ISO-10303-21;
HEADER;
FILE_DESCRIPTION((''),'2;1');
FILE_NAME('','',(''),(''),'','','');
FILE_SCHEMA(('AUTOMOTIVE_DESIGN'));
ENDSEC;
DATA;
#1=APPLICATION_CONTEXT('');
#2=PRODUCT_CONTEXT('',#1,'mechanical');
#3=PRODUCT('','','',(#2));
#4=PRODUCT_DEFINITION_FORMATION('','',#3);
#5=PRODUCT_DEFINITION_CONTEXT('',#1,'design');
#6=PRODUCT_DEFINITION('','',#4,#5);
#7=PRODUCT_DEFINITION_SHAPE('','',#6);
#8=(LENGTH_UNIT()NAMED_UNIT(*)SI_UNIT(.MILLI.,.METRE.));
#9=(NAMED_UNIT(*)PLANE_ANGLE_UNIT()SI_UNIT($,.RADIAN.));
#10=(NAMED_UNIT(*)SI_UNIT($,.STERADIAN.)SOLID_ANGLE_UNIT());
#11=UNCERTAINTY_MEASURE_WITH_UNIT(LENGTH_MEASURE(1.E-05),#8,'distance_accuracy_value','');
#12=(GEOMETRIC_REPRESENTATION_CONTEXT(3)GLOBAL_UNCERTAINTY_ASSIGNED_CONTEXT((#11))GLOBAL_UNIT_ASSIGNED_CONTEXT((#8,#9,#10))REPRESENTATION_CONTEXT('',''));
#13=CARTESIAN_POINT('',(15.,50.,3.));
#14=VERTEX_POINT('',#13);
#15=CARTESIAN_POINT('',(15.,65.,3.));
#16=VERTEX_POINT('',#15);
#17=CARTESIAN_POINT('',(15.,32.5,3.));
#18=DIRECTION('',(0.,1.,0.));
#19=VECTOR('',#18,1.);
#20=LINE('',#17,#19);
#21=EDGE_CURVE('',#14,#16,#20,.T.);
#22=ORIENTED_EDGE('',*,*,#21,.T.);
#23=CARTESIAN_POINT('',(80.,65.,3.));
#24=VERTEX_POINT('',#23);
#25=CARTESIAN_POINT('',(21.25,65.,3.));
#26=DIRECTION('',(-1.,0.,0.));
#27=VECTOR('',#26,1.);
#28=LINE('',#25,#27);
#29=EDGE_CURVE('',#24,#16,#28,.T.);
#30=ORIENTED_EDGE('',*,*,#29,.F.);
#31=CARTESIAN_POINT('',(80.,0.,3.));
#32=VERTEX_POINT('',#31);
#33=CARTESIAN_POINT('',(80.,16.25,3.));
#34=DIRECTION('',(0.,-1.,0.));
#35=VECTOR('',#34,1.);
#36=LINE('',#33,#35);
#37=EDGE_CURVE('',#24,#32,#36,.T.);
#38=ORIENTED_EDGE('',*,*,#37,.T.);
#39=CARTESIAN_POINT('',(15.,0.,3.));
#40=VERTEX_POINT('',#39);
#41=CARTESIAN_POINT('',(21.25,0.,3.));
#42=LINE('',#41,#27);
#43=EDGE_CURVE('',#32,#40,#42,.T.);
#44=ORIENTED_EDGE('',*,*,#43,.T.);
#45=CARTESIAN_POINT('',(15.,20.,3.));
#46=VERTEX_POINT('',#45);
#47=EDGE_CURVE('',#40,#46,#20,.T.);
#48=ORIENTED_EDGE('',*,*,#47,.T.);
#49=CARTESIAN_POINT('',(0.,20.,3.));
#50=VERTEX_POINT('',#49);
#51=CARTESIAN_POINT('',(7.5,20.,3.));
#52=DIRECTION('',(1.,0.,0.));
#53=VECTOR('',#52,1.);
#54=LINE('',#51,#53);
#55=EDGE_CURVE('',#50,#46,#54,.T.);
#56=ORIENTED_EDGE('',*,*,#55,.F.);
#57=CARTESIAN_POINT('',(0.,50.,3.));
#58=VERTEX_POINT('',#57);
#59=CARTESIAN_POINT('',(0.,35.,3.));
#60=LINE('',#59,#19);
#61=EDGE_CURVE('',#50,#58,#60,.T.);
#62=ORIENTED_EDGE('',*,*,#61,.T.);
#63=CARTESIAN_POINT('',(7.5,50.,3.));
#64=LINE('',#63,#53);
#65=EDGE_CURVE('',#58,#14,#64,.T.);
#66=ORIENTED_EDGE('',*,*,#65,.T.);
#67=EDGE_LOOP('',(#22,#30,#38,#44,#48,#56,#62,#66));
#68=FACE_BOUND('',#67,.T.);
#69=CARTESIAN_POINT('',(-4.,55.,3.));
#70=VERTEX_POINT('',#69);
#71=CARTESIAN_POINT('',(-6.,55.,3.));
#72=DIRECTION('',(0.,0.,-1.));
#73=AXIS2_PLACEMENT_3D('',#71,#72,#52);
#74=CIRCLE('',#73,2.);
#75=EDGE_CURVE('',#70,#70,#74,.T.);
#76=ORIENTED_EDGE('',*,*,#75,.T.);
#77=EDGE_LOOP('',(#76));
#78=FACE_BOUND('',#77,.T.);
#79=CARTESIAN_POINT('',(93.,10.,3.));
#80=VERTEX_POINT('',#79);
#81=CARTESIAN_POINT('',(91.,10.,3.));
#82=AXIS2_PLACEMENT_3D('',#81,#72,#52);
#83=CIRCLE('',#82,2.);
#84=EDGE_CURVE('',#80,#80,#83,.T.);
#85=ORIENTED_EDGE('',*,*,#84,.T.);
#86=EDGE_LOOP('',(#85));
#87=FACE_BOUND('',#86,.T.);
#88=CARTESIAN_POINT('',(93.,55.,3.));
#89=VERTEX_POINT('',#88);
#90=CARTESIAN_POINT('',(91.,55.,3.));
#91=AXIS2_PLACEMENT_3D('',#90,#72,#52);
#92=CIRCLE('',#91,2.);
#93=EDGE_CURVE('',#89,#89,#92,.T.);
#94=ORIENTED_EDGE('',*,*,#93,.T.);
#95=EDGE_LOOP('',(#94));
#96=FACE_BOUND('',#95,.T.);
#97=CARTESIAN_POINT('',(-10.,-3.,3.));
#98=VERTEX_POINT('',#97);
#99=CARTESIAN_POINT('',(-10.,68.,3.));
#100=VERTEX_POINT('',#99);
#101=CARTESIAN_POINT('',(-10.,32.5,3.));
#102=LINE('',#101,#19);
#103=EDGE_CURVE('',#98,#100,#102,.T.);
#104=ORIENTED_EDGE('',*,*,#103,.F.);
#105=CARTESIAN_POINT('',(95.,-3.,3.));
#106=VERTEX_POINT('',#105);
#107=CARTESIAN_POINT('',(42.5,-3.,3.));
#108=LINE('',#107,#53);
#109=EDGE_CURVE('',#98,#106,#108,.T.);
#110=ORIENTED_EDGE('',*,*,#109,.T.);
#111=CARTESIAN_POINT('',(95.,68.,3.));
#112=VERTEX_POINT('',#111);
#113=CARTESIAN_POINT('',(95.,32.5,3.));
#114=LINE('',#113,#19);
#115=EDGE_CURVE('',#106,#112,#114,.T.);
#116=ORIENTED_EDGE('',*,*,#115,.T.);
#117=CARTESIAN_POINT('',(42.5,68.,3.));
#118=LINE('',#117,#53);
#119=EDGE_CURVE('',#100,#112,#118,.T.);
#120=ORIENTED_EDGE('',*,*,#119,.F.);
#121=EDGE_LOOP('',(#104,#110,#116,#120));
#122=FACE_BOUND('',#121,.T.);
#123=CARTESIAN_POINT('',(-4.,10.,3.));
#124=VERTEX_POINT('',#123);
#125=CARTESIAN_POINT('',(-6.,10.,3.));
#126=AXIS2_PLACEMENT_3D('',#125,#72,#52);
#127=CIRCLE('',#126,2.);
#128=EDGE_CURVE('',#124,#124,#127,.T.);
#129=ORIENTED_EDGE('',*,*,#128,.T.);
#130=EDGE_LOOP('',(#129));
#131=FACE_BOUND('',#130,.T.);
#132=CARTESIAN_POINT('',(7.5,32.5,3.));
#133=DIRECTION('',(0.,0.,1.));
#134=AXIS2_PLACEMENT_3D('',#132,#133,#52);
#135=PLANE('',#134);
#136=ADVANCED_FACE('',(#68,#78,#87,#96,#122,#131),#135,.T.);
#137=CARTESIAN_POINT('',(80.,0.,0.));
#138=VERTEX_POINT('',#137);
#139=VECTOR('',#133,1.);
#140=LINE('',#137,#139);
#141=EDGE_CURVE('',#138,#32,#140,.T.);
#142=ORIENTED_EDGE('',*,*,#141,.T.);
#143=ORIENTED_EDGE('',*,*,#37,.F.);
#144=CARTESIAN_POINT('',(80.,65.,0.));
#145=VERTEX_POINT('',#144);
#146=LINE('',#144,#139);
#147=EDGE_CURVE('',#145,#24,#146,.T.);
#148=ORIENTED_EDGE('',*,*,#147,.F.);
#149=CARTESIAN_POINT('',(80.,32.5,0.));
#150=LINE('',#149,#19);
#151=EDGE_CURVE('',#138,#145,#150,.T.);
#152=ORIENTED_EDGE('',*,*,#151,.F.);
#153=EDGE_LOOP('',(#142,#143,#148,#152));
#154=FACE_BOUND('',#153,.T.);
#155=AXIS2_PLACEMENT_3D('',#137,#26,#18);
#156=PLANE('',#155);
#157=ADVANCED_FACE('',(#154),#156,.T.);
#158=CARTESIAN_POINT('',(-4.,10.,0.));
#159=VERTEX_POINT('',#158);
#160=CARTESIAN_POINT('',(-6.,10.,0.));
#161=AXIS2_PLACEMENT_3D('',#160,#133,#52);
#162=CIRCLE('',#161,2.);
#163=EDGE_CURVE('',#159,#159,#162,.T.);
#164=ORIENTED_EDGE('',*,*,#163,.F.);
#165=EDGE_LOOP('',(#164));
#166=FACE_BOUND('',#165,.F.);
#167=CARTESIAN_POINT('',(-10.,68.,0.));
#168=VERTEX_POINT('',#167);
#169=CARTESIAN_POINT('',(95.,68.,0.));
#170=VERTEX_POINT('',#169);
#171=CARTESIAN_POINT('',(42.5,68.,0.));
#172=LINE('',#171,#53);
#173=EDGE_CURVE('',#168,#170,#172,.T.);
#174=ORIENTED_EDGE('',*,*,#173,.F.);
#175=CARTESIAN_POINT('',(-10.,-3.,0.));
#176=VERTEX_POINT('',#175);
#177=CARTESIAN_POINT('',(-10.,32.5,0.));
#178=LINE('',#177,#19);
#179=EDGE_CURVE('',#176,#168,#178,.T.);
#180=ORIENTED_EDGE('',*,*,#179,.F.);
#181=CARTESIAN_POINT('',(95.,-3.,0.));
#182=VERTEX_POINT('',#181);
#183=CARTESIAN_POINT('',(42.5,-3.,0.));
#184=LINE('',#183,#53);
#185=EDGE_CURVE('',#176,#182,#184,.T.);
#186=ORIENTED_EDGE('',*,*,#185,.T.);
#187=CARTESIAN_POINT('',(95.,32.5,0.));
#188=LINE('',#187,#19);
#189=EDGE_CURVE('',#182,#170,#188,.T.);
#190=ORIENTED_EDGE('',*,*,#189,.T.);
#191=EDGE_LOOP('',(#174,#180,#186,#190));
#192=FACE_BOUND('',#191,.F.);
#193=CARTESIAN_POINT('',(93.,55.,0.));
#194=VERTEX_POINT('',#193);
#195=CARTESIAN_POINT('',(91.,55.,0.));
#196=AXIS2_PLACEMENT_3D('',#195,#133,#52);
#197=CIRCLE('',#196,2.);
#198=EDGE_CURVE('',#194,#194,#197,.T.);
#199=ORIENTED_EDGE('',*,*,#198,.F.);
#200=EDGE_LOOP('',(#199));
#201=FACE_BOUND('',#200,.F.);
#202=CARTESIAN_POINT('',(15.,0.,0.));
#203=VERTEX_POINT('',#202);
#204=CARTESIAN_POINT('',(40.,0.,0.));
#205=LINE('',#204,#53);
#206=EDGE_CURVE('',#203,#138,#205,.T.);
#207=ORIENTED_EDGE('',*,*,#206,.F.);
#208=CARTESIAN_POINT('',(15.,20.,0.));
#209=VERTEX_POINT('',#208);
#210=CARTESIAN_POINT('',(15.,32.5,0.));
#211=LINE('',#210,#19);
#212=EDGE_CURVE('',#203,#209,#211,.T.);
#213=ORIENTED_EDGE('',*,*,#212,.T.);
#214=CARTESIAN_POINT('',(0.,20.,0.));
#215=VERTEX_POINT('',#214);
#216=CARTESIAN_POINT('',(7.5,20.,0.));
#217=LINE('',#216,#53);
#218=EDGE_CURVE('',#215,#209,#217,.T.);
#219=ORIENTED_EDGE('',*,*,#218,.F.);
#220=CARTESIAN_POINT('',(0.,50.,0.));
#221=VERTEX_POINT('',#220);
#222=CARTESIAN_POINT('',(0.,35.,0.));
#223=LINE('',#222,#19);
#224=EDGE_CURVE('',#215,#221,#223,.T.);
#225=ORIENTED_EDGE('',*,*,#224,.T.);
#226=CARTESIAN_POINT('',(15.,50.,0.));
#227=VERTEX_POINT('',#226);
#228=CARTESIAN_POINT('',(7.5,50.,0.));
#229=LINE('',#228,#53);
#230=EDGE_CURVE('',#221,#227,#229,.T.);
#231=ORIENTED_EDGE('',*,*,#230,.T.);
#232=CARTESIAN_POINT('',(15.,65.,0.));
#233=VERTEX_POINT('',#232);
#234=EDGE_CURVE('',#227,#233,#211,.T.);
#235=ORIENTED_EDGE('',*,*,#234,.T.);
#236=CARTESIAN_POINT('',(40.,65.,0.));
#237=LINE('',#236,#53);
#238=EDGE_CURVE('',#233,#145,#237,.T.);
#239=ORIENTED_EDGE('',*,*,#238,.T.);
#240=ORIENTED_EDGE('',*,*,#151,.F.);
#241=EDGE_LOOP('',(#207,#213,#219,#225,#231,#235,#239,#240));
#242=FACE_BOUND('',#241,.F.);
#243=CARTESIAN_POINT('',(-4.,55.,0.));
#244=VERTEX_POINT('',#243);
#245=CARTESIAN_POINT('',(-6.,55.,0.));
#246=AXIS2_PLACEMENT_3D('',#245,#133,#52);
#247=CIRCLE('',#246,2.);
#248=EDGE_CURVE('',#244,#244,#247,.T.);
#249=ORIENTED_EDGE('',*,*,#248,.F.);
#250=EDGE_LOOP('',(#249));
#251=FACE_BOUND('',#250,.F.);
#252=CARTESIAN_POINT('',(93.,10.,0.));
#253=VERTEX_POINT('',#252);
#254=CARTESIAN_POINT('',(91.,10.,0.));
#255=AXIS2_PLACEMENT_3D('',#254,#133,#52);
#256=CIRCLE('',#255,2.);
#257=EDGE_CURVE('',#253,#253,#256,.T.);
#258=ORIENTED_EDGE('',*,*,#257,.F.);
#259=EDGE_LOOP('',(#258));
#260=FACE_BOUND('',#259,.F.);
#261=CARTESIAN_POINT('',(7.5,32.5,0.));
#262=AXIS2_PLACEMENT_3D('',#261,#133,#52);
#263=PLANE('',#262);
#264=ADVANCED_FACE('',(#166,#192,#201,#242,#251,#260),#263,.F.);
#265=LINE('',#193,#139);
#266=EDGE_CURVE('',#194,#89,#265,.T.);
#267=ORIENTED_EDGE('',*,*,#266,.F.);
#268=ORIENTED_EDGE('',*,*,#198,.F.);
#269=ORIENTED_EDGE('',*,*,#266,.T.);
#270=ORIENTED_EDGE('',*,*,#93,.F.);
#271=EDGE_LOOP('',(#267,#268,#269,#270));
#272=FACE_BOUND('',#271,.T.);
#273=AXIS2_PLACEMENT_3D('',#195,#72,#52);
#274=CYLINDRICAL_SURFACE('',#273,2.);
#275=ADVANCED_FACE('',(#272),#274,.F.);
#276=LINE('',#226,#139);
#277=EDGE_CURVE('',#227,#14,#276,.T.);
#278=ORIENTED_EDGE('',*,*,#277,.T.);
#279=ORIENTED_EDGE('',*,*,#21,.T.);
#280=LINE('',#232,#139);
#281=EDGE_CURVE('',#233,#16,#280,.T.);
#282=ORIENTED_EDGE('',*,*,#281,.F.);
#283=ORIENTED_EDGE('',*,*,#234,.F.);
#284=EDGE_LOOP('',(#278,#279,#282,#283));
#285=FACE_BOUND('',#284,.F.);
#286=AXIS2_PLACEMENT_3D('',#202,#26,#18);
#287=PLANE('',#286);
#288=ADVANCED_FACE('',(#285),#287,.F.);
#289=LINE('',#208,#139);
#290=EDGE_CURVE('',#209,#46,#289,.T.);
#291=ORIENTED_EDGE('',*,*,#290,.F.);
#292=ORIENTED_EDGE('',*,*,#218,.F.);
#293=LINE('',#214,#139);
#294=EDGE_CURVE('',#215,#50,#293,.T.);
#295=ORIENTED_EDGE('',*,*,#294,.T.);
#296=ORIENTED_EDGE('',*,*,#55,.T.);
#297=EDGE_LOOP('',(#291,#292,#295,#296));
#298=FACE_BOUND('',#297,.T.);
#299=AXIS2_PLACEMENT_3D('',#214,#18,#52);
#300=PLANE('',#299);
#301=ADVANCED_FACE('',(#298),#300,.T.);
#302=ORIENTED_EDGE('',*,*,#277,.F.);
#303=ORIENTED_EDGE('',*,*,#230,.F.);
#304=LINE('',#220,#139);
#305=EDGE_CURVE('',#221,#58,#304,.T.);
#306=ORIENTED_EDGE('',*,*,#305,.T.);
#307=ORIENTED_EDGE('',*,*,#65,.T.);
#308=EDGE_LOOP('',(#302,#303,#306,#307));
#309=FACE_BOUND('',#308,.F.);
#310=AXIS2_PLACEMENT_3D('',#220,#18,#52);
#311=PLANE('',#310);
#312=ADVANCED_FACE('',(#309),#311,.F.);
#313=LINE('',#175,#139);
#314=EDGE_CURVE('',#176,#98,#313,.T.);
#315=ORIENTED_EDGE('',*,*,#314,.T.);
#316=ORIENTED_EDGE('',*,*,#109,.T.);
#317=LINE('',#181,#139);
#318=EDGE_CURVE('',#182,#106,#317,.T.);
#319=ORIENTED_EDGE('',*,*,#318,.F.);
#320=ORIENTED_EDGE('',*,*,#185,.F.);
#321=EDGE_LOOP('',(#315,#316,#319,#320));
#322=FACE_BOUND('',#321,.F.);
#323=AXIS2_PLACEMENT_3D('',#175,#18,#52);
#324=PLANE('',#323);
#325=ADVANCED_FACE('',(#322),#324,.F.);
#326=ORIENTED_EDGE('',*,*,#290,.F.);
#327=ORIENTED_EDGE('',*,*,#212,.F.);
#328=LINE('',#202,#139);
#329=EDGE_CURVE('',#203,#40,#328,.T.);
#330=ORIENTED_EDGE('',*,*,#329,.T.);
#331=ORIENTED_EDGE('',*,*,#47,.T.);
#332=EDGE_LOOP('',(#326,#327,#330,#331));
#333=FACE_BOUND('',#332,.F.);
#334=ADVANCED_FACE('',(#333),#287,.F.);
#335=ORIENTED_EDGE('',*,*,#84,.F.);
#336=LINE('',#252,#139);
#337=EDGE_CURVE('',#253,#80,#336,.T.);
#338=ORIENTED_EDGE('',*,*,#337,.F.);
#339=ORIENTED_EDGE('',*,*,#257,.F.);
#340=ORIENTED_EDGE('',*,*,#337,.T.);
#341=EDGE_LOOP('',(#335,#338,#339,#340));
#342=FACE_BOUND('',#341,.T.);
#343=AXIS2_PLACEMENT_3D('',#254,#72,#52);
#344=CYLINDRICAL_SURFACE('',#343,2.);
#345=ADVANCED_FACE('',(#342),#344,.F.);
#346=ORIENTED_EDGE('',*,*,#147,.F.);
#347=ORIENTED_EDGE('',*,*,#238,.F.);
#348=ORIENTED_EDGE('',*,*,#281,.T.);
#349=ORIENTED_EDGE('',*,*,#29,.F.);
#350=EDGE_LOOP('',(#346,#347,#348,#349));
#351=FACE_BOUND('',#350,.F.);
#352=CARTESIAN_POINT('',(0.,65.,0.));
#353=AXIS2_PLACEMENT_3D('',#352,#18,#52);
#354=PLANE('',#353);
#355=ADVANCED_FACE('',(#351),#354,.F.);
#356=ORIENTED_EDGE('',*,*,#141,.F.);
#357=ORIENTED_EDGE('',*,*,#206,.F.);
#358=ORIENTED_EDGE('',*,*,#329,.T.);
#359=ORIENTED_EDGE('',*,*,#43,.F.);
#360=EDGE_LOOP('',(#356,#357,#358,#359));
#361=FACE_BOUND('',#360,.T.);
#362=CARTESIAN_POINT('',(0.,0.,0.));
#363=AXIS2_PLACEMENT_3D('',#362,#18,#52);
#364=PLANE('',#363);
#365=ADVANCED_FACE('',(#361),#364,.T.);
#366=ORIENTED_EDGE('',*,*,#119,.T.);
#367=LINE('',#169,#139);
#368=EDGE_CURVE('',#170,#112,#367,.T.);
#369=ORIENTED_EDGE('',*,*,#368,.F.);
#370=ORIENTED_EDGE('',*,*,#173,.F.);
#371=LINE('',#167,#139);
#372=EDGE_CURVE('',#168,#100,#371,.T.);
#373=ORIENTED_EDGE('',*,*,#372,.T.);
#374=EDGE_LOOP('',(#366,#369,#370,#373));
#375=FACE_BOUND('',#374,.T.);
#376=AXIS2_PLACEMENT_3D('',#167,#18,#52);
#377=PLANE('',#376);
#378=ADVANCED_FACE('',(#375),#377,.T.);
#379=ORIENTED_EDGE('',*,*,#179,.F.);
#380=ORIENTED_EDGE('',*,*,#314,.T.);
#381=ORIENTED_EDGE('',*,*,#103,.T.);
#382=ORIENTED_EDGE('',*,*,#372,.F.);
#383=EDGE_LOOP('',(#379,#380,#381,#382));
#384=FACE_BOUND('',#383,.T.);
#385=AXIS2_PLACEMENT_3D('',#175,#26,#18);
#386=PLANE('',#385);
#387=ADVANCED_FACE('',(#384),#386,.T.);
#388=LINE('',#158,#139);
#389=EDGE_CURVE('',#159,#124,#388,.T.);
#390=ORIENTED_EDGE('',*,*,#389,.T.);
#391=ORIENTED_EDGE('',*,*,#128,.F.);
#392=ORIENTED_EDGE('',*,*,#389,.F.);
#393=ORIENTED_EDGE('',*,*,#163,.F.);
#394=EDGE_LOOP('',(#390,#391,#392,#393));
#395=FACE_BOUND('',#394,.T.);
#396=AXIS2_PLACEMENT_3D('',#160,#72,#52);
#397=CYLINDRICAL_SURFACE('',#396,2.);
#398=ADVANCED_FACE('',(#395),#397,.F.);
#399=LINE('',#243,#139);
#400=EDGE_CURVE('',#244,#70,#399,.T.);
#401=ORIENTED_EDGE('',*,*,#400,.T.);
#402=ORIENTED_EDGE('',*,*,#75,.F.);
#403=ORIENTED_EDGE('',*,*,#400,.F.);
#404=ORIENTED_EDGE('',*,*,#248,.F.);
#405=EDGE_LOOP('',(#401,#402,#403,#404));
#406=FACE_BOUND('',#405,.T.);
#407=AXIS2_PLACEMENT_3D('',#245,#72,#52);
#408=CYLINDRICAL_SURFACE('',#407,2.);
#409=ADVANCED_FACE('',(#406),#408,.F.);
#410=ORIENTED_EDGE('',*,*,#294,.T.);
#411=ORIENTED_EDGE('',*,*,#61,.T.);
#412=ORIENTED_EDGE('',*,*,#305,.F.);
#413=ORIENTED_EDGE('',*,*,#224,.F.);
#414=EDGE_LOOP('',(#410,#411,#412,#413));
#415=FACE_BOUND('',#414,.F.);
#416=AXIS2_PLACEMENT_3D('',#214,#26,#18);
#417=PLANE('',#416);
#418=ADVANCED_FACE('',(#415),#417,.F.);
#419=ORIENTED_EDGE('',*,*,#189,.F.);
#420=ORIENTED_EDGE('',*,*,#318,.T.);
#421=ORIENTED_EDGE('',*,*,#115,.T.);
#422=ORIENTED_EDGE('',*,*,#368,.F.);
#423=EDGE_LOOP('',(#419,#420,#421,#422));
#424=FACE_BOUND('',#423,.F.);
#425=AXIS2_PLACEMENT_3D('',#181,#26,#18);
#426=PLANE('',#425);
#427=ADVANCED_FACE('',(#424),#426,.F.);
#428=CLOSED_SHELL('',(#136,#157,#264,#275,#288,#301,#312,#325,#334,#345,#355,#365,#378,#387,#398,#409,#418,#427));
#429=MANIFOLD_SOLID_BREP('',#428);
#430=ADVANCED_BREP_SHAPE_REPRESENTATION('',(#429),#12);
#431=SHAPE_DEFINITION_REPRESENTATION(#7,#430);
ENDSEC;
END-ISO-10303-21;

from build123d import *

# Parameters (mm, degrees)
SKETCH001_W     = 105
SKETCH001_H     = 71
PAD_DEPTH       = 3
SKETCH_W        = 80
SKETCH_H        = 65
POCKET_DEPTH    = 5
SKETCH002_R     = 2
POCKET001_DEPTH = 5
SKETCH003_R     = 2
POCKET002_DEPTH = 5
SKETCH004_R     = 2
POCKET003_DEPTH = 5
SKETCH005_R     = 2
POCKET004_DEPTH = 5
SKETCH006_W     = 15
SKETCH006_H     = 65
PAD001_DEPTH    = 3
SKETCH007_W     = 15
SKETCH007_H     = 30
POCKET005_DEPTH = 3


with BuildPart() as part:
    # Sketch001 → Pad (new body)
    with BuildSketch(Plane.XY):
        with Locations((42.5, 32.5)):
            Rectangle(SKETCH001_W, SKETCH001_H)
    extrude(amount=PAD_DEPTH)

    # Sketch → Pocket (cut)
    with BuildSketch(Plane.XY):
        with Locations((40, 32.5)):
            Rectangle(SKETCH_W, SKETCH_H)
    extrude(amount=POCKET_DEPTH, mode=Mode.SUBTRACT)

    # Sketch002 → Pocket001 (cut)
    with BuildSketch(Plane.XY):
        with Locations((-6, 10)):
            Circle(SKETCH002_R)
    extrude(amount=POCKET001_DEPTH, mode=Mode.SUBTRACT)

    # Sketch003 → Pocket002 (cut)
    with BuildSketch(Plane.XY):
        with Locations((-6, 55)):
            Circle(SKETCH003_R)
    extrude(amount=POCKET002_DEPTH, mode=Mode.SUBTRACT)

    # Sketch004 → Pocket003 (cut)
    with BuildSketch(Plane.XY):
        with Locations((91, 10)):
            Circle(SKETCH004_R)
    extrude(amount=POCKET003_DEPTH, mode=Mode.SUBTRACT)

    # Sketch005 → Pocket004 (cut)
    with BuildSketch(Plane.XY):
        with Locations((91, 55)):
            Circle(SKETCH005_R)
    extrude(amount=POCKET004_DEPTH, mode=Mode.SUBTRACT)

    # Sketch006 → Pad001 (join)
    with BuildSketch(Plane.XY):
        with Locations((7.5, 32.5)):
            Rectangle(SKETCH006_W, SKETCH006_H)
    extrude(amount=PAD001_DEPTH)

    # Sketch007 → Pocket005 (cut)
    with BuildSketch(Plane.XY):
        with Locations((7.5, 35)):
            Rectangle(SKETCH007_W, SKETCH007_H)
    extrude(amount=POCKET005_DEPTH, mode=Mode.SUBTRACT)


solid = part.part
